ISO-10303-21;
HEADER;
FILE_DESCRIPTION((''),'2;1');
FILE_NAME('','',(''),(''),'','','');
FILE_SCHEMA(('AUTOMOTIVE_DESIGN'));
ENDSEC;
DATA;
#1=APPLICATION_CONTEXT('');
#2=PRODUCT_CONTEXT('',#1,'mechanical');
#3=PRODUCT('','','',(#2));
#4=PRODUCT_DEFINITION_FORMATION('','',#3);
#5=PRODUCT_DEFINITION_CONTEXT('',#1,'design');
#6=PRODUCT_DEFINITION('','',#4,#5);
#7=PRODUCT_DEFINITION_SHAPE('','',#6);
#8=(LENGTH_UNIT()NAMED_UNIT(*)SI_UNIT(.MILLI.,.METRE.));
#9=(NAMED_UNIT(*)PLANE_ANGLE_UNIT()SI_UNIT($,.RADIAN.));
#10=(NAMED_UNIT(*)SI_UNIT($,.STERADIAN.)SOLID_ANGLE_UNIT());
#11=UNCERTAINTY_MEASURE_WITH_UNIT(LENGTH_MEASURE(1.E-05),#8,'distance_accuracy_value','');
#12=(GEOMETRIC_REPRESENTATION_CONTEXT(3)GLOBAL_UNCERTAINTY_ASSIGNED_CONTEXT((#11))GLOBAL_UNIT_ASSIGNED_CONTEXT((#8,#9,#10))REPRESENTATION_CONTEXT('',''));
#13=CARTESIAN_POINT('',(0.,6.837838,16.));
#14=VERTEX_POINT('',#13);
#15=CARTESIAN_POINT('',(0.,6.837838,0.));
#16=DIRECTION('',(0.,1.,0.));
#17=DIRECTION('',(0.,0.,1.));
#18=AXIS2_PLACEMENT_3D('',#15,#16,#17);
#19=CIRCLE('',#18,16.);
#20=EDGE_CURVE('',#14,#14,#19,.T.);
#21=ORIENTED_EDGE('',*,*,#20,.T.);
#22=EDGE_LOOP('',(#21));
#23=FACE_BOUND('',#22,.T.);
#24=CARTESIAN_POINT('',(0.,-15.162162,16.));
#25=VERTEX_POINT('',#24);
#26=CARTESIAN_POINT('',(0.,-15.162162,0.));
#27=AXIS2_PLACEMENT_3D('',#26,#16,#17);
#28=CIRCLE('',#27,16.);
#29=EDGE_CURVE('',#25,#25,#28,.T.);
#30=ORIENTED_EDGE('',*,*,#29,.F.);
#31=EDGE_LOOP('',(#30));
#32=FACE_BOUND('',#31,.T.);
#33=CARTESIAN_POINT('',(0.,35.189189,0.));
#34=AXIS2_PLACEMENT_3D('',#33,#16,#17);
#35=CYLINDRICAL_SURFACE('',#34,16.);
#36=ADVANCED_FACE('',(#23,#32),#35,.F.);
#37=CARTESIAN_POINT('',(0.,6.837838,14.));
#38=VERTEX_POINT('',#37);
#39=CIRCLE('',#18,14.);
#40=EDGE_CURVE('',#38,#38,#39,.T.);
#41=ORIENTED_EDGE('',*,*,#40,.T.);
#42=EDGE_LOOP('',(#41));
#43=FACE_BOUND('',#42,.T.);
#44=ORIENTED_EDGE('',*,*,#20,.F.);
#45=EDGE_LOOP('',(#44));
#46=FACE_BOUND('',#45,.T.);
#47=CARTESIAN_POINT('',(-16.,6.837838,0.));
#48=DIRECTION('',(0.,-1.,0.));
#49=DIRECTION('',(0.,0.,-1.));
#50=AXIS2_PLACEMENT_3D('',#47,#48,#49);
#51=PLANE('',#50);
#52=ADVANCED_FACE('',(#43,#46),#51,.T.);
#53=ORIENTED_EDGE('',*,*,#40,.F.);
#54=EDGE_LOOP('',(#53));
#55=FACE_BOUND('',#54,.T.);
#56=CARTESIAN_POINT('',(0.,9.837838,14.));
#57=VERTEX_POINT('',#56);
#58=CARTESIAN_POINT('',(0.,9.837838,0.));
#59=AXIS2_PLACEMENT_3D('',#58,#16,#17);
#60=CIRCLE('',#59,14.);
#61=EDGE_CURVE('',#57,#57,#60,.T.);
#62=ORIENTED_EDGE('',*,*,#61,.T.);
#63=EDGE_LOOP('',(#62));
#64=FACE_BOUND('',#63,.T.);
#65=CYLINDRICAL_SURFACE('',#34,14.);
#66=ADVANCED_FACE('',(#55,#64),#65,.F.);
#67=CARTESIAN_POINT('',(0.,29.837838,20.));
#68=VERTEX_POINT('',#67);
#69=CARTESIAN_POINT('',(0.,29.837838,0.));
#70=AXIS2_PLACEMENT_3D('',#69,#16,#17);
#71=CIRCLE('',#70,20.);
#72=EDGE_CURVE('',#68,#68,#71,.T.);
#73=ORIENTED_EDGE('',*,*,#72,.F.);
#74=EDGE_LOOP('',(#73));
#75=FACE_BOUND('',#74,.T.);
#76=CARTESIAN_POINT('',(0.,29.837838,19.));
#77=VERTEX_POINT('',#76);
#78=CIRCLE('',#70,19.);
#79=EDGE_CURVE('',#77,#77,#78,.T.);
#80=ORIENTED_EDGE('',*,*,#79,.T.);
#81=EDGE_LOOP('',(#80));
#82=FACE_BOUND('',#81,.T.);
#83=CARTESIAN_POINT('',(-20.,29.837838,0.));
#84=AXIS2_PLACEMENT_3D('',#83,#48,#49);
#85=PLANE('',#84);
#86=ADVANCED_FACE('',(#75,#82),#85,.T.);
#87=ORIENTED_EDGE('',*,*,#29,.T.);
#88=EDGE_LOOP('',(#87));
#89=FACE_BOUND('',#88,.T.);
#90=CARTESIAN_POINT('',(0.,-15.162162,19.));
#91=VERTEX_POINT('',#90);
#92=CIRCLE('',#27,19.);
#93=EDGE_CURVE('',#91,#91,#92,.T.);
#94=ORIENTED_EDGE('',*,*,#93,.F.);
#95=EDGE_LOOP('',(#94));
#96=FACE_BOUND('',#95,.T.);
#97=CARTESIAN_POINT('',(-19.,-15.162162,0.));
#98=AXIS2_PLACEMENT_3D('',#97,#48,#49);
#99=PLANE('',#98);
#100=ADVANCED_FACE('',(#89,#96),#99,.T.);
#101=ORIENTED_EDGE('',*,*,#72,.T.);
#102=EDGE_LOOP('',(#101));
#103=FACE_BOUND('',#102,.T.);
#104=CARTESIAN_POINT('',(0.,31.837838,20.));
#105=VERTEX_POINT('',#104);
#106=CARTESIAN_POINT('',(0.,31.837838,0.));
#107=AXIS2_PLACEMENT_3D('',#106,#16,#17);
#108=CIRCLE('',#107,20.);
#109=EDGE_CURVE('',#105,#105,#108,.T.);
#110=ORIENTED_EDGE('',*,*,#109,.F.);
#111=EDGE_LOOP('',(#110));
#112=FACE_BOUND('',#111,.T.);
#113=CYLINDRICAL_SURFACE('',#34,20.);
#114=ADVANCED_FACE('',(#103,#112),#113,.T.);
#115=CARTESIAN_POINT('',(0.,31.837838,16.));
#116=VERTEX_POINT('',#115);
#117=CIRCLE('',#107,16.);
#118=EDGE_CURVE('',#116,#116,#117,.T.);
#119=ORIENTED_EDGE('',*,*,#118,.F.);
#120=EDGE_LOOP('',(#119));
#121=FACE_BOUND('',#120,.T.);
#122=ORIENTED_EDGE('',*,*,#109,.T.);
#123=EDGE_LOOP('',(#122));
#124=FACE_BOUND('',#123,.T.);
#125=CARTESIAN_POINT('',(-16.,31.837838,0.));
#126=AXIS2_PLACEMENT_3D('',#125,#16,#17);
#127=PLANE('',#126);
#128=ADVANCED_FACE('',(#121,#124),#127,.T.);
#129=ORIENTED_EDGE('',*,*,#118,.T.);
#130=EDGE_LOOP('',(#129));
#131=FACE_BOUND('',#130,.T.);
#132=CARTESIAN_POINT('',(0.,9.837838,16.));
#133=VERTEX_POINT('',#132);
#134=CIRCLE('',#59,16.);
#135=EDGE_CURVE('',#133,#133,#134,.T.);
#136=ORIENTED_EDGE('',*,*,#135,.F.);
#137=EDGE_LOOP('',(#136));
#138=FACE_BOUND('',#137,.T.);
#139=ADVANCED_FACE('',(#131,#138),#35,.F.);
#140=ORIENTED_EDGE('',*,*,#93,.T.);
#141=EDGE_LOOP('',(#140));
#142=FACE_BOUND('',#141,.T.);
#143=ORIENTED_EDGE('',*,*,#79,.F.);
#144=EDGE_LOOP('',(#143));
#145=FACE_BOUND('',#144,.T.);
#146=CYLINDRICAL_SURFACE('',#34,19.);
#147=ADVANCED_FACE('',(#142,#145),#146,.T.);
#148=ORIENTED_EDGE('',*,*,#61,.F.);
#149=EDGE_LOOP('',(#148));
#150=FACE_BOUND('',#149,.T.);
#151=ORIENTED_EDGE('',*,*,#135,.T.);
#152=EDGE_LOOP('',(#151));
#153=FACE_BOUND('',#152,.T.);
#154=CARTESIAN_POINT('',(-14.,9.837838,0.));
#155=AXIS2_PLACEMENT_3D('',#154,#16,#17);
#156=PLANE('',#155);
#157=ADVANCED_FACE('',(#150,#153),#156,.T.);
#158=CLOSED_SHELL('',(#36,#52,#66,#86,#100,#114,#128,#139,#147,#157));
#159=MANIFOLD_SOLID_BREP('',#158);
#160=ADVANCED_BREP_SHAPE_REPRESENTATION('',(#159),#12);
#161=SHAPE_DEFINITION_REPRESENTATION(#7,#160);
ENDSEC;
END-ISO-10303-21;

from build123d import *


with BuildPart() as part:
    # Esquisse1 → Révolution1 (revolve)
    with BuildSketch(Plane.XY, mode=Mode.PRIVATE) as r_volution1_sk:
        Polygon((-16, -15.162162162), (-16, 6.837837838), (-14, 6.837837838), (-14, 9.837837838), (-16, 9.837837838), (-16, 31.837837838), (-20, 31.837837838), (-20, 29.837837838), (-19, 29.837837838), (-19, -15.162162162), align=None)
    revolve(r_volution1_sk.sketch.rotate(Axis((0, 35.189189189, 0), (0, -1, 0)), 270), axis=Axis((0, 35.189189189, 0), (0, -1, 0)))


solid = part.part
